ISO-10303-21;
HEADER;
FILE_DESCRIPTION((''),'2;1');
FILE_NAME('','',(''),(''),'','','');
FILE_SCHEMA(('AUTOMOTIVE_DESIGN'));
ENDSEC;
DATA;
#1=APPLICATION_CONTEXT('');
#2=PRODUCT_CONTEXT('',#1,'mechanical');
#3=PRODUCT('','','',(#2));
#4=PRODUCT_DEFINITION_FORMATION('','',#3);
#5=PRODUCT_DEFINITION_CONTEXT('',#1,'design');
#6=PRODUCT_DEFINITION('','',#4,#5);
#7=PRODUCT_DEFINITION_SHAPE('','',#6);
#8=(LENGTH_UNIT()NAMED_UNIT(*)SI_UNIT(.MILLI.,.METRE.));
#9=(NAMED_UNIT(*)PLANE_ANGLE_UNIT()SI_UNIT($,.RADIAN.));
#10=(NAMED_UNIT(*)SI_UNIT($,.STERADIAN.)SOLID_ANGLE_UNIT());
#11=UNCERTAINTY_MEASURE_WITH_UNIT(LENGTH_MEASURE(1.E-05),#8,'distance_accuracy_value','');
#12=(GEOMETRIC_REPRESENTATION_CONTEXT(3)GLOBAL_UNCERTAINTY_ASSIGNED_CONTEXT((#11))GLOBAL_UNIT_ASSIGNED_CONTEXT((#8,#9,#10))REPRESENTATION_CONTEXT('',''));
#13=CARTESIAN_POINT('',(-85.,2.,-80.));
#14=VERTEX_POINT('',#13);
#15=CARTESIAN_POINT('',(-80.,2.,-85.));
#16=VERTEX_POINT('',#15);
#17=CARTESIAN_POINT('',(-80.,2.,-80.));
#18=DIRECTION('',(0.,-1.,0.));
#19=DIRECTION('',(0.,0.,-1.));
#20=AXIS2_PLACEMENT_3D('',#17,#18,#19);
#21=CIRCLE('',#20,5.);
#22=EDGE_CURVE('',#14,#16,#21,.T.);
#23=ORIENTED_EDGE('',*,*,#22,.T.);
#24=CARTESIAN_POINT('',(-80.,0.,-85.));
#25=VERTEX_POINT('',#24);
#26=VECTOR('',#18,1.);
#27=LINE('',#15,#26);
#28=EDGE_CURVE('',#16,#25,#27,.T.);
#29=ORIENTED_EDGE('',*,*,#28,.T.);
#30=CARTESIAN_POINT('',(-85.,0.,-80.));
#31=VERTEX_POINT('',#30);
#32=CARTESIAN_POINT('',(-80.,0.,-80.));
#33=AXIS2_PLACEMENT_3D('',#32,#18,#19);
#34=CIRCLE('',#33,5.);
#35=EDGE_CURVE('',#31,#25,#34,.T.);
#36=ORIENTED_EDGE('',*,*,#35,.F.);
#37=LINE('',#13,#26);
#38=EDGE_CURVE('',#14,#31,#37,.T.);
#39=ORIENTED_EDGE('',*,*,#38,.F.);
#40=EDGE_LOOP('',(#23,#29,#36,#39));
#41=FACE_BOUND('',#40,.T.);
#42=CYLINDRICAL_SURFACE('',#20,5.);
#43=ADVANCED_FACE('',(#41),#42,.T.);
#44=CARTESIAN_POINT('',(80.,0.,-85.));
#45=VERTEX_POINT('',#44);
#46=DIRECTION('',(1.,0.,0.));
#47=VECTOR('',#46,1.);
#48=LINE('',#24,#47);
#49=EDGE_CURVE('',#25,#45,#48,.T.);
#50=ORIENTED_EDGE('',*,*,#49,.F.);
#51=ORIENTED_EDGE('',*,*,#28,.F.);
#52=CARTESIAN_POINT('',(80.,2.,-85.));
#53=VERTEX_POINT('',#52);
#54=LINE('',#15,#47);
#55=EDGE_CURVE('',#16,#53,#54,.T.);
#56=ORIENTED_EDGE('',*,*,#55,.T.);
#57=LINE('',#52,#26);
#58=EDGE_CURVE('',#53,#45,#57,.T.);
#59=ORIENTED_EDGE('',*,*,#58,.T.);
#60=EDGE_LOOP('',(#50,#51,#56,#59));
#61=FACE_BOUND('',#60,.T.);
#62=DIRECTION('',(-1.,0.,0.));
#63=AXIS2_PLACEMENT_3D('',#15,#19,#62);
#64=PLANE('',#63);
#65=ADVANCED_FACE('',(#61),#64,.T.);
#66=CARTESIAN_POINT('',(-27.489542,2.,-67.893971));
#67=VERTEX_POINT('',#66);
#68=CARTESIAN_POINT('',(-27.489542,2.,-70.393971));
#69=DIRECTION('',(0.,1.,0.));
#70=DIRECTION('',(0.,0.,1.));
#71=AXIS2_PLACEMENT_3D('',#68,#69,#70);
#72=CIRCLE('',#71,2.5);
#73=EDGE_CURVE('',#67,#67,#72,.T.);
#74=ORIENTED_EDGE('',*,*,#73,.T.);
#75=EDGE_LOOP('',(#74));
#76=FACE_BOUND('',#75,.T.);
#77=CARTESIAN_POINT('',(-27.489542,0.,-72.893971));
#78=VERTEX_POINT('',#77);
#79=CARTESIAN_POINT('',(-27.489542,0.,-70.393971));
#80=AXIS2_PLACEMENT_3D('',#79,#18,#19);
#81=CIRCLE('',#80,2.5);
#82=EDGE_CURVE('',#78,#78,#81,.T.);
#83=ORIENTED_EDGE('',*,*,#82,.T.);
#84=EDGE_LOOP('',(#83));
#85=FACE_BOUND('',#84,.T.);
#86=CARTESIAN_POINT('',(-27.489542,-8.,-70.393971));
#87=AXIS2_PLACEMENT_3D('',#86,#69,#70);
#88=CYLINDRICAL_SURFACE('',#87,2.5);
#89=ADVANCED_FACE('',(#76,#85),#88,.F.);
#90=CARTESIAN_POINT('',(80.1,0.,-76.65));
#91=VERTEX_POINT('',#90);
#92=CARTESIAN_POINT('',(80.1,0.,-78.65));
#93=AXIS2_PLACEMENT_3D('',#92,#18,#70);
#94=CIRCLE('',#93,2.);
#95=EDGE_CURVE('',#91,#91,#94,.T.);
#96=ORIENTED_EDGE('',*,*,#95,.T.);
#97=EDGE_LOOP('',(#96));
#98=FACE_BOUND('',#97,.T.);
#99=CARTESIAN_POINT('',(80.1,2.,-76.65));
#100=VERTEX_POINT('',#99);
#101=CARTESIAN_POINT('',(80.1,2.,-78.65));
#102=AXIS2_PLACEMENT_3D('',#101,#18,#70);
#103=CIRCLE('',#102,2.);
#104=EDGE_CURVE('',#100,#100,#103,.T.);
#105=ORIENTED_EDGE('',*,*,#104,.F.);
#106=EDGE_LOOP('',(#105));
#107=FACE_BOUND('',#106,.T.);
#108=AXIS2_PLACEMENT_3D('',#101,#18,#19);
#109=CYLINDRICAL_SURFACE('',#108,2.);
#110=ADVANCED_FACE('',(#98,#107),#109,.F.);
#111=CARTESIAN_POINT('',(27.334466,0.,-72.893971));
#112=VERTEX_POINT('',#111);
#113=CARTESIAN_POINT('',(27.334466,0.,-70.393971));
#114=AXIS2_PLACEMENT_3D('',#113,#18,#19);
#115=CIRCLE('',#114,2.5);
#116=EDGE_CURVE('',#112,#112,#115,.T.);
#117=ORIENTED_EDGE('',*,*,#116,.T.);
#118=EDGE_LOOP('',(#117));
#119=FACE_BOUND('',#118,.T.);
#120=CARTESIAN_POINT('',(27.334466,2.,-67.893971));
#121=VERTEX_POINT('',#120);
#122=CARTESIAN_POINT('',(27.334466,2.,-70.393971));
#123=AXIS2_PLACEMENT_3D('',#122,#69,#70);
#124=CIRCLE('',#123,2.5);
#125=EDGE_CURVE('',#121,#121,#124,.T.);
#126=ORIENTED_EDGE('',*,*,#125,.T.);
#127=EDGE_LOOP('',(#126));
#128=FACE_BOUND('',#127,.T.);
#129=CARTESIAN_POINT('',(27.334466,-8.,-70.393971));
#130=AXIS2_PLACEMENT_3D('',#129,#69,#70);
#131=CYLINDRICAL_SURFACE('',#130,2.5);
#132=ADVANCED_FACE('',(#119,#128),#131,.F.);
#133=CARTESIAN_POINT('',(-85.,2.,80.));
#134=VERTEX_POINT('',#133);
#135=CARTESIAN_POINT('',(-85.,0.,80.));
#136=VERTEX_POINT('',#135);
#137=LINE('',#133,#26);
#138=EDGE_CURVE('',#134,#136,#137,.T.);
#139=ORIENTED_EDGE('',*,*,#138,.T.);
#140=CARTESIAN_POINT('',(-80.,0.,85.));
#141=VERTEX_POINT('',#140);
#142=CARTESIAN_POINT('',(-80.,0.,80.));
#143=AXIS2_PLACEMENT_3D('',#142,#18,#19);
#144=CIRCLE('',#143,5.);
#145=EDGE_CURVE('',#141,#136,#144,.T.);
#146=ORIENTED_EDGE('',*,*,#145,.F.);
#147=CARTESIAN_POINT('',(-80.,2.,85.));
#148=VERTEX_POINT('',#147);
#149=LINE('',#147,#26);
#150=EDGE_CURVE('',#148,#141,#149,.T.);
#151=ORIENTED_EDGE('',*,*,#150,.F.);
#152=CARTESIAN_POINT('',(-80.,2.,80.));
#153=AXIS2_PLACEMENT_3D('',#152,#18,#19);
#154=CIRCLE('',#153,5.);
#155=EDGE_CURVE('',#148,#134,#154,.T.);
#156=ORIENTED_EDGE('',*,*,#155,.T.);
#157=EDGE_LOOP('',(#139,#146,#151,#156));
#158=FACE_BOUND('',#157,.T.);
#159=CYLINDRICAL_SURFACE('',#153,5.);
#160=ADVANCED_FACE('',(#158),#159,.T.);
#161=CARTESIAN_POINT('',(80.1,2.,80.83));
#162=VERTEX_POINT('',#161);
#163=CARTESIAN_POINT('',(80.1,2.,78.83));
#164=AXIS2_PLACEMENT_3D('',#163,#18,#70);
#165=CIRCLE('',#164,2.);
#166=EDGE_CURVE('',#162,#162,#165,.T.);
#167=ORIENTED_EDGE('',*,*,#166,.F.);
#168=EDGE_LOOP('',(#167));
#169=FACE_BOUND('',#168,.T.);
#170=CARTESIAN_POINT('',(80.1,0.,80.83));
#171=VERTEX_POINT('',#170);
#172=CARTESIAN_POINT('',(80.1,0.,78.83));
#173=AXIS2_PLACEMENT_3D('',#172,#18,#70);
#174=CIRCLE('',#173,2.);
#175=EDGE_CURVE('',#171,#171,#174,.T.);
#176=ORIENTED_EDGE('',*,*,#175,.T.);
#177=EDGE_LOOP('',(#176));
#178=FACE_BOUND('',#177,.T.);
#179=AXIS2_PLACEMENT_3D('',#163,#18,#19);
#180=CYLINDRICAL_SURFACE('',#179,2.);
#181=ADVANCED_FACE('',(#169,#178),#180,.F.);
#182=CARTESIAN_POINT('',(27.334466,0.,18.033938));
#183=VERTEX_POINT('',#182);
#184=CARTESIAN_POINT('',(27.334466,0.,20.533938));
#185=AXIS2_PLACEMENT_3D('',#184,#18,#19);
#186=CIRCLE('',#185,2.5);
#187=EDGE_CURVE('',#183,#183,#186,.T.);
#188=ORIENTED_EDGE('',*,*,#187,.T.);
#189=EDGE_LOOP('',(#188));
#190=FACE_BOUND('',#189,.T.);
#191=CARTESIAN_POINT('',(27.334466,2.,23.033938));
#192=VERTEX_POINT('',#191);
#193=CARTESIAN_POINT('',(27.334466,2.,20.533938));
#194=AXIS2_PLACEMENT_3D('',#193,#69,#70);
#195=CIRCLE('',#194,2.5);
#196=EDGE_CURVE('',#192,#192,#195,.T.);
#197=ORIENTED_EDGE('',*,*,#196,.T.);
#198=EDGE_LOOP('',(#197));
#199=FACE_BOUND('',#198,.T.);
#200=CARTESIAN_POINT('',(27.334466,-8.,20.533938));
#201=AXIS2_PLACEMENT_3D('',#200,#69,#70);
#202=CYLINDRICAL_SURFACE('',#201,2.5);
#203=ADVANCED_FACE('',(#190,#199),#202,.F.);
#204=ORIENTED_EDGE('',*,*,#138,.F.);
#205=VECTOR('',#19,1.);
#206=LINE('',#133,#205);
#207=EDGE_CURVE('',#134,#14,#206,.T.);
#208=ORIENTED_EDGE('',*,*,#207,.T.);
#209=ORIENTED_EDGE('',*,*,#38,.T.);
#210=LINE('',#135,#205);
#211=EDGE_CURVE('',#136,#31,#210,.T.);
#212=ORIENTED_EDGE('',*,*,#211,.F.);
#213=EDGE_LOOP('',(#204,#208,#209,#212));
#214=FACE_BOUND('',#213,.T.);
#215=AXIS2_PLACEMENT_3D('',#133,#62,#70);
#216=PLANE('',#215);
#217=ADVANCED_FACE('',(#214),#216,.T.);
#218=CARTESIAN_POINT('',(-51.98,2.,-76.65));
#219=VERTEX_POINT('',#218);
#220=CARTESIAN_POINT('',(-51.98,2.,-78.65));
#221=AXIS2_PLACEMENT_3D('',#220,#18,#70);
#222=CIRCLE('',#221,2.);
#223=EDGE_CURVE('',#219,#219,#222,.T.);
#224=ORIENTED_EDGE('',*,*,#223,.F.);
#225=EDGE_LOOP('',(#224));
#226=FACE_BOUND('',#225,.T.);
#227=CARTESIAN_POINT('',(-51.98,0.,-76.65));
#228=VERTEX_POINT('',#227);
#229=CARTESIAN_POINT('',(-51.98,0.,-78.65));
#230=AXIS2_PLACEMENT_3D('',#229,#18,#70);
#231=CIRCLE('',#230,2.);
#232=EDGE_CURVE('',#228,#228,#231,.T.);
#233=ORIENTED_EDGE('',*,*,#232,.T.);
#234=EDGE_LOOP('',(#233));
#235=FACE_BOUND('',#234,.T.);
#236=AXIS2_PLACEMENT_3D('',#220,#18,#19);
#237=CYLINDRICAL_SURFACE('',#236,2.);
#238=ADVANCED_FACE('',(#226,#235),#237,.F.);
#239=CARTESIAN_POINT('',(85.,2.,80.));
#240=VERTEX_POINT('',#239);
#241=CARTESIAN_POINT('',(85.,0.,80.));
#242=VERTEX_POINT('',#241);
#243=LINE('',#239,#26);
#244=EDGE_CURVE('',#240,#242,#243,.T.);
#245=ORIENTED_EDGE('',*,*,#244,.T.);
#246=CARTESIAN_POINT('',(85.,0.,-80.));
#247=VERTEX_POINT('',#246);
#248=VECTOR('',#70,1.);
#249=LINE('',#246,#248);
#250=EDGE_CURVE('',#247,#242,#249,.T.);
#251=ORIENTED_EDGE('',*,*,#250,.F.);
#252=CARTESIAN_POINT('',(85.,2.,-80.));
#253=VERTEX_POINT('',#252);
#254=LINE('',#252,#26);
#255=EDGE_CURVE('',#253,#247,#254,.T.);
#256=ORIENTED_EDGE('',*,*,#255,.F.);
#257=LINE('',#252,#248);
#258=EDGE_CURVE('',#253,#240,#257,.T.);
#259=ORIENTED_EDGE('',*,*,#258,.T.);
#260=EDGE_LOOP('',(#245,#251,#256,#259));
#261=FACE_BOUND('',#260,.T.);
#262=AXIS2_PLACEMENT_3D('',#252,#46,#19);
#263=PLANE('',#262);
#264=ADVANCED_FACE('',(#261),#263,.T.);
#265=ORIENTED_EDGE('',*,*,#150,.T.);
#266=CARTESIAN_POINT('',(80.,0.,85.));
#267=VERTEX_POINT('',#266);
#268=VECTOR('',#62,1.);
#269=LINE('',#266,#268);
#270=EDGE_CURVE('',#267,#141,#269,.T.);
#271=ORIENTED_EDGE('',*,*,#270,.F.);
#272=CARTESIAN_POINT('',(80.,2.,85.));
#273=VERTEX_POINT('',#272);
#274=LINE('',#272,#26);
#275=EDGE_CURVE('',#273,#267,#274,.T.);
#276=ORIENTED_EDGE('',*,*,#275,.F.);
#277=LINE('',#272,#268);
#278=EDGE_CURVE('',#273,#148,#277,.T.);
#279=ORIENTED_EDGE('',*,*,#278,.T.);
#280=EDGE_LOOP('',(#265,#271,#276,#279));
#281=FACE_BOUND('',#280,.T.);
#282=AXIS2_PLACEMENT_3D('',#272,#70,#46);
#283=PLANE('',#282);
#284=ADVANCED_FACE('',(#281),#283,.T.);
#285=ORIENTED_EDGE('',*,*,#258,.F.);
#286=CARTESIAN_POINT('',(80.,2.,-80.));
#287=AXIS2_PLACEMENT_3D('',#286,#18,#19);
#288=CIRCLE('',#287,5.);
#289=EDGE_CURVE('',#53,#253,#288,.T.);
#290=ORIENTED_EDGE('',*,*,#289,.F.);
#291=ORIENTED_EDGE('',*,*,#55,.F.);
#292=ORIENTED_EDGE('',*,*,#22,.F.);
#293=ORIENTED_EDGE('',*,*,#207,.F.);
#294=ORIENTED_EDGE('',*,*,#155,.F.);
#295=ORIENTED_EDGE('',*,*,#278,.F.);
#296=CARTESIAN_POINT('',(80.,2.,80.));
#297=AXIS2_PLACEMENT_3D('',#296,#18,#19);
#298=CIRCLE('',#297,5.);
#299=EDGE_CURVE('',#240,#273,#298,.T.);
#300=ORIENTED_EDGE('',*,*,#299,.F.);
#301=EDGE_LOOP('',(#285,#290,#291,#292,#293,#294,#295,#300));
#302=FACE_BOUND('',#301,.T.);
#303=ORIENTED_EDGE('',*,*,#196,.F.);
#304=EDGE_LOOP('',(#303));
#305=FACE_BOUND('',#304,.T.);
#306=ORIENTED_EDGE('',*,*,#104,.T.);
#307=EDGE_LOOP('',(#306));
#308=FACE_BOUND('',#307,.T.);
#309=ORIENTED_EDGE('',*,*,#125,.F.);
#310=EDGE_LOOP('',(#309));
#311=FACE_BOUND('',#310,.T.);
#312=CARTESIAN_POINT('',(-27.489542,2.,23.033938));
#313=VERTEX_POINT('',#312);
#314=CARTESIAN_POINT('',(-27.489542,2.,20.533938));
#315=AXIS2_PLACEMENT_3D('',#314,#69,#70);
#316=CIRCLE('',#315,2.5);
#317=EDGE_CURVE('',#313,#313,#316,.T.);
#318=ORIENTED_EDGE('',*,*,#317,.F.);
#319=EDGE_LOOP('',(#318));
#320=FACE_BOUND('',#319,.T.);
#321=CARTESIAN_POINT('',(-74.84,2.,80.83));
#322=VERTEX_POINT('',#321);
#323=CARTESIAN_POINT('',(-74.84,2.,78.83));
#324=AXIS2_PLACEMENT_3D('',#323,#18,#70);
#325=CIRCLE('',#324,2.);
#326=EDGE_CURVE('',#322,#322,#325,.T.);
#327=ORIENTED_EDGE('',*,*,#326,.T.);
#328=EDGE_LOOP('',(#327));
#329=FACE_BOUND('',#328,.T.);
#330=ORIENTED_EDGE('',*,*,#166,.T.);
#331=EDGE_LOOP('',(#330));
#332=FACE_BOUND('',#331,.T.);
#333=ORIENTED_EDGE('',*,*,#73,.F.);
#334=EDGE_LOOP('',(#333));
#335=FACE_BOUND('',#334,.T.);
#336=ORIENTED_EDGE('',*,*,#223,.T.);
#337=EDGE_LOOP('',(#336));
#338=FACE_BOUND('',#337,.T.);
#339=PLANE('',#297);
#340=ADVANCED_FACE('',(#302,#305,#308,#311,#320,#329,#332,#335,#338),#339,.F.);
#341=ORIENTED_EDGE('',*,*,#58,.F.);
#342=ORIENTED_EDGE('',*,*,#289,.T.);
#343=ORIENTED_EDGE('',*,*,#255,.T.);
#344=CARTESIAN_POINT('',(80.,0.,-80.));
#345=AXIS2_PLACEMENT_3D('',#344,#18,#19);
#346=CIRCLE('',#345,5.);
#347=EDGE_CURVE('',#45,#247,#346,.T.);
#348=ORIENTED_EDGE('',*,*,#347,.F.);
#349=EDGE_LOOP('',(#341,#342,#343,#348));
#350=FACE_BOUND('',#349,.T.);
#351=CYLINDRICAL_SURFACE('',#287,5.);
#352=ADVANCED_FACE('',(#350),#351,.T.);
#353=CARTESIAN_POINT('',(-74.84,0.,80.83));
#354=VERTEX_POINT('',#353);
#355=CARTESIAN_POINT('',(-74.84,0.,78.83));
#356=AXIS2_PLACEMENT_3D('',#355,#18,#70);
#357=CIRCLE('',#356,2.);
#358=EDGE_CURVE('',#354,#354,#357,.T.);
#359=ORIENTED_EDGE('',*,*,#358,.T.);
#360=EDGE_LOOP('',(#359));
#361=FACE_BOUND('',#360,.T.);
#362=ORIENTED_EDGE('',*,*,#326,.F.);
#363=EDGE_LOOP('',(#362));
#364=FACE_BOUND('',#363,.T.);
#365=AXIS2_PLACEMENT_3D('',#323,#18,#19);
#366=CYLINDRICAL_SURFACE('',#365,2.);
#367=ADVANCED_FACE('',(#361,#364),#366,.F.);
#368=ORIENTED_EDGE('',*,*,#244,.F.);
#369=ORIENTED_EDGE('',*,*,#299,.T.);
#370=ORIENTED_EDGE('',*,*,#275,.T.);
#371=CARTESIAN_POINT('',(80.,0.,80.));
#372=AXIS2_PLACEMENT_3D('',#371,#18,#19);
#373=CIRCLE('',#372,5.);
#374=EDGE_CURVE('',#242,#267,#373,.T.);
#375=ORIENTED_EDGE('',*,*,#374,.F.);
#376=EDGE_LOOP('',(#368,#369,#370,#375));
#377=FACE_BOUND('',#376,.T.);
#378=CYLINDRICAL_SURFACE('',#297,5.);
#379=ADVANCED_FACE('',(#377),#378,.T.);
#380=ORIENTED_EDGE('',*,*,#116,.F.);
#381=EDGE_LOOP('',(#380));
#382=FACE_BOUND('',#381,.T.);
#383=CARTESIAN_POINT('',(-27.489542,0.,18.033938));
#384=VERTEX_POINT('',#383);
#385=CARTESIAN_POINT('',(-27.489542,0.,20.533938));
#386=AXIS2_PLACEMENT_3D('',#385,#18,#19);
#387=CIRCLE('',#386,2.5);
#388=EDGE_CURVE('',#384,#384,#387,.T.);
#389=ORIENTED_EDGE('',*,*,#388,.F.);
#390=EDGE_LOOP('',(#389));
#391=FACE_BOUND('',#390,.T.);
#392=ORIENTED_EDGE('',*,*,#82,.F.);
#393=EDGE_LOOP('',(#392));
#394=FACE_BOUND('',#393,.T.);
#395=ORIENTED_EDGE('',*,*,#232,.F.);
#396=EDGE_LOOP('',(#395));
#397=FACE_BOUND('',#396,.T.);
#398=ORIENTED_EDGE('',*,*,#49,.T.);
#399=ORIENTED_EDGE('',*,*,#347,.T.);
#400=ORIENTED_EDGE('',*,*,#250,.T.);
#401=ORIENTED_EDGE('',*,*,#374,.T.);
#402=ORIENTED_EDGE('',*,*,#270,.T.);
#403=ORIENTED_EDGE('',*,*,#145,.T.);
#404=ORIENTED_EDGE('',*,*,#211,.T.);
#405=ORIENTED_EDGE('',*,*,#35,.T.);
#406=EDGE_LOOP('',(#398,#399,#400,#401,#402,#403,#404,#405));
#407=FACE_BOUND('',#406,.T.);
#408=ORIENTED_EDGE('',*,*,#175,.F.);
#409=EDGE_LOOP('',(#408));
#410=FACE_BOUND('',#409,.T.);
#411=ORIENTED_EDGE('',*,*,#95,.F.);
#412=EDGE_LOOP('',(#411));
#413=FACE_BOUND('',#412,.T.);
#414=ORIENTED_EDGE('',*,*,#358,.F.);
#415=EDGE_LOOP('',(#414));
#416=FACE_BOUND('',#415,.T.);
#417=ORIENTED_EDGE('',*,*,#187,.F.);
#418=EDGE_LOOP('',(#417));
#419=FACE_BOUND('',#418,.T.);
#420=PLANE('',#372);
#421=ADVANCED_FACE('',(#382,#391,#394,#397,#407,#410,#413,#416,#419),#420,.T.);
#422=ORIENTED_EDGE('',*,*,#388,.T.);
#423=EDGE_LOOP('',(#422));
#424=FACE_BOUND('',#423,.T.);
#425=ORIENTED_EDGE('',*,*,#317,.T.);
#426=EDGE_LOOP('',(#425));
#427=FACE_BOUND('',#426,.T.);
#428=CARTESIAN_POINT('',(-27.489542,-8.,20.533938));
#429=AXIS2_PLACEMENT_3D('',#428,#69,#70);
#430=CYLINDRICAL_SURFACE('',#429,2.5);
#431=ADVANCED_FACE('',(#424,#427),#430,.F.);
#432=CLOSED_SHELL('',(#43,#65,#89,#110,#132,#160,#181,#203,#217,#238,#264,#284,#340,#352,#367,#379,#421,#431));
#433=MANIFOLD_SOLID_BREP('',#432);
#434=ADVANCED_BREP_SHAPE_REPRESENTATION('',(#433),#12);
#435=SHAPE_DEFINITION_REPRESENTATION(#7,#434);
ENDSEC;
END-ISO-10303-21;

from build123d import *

# Parameters (mm, degrees)
SKETCH_1_R          = 2
EXTRUDE_1_DEPTH     = 2
SKETCH_3_R          = 2.5
CUT_EXTRUDE_1_DEPTH = 10


with BuildPart() as part:
    # Эскиз1 → Бобышка-Вытянуть1 (new body)
    with BuildSketch(Plane.XZ):
        with BuildLine():
            Line((80, 85), (-80, 85))
            ThreePointArc((-80, 85), (-83.535533906, 83.535533906), (-85, 80))
            Line((-85, 80), (-85, -80))
            ThreePointArc((-85, -80), (-83.535533906, -83.535533906), (-80, -85))
            Line((-80, -85), (80, -85))
            ThreePointArc((80, -85), (83.535533906, -83.535533906), (85, -80))
            Line((85, -80), (85, 80))
            ThreePointArc((85, 80), (83.535533906, 83.535533906), (80, 85))
        make_face()
        with Locations(Location((-74.84, 78.83, 0), (0, 0, 90))):
            Circle(SKETCH_1_R, mode=Mode.SUBTRACT)
        with Locations(Location((80.1, 78.83, 0), (0, 0, 90))):
            Circle(SKETCH_1_R, mode=Mode.SUBTRACT)
        with Locations(Location((80.1, -78.65, 0), (0, 0, 90))):
            Circle(SKETCH_1_R, mode=Mode.SUBTRACT)
        with Locations(Location((-51.98, -78.65, 0), (0, 0, 90))):
            Circle(SKETCH_1_R, mode=Mode.SUBTRACT)
    extrude(amount=-EXTRUDE_1_DEPTH)

    # Эскиз3 → Вырез-Вытянуть1 (cut)
    with BuildSketch(Plane(origin=(0, 2, 0), x_dir=(1, 0, 0), z_dir=(0, 1, 0))):
        with Locations(Location((-27.489542331, -20.533937546, 0), (0, 0, 270))):
            Circle(SKETCH_3_R)
        with Locations(Location((-27.489542331, 70.393970701, 0), (0, 0, 270))):
            Circle(SKETCH_3_R)
        with Locations(Location((27.334465925, -20.533937546, 0), (0, 0, 270))):
            Circle(SKETCH_3_R)
        with Locations(Location((27.334465925, 70.393970701, 0), (0, 0, 270))):
            Circle(SKETCH_3_R)
    extrude(amount=-CUT_EXTRUDE_1_DEPTH, mode=Mode.SUBTRACT)


solid = part.part
